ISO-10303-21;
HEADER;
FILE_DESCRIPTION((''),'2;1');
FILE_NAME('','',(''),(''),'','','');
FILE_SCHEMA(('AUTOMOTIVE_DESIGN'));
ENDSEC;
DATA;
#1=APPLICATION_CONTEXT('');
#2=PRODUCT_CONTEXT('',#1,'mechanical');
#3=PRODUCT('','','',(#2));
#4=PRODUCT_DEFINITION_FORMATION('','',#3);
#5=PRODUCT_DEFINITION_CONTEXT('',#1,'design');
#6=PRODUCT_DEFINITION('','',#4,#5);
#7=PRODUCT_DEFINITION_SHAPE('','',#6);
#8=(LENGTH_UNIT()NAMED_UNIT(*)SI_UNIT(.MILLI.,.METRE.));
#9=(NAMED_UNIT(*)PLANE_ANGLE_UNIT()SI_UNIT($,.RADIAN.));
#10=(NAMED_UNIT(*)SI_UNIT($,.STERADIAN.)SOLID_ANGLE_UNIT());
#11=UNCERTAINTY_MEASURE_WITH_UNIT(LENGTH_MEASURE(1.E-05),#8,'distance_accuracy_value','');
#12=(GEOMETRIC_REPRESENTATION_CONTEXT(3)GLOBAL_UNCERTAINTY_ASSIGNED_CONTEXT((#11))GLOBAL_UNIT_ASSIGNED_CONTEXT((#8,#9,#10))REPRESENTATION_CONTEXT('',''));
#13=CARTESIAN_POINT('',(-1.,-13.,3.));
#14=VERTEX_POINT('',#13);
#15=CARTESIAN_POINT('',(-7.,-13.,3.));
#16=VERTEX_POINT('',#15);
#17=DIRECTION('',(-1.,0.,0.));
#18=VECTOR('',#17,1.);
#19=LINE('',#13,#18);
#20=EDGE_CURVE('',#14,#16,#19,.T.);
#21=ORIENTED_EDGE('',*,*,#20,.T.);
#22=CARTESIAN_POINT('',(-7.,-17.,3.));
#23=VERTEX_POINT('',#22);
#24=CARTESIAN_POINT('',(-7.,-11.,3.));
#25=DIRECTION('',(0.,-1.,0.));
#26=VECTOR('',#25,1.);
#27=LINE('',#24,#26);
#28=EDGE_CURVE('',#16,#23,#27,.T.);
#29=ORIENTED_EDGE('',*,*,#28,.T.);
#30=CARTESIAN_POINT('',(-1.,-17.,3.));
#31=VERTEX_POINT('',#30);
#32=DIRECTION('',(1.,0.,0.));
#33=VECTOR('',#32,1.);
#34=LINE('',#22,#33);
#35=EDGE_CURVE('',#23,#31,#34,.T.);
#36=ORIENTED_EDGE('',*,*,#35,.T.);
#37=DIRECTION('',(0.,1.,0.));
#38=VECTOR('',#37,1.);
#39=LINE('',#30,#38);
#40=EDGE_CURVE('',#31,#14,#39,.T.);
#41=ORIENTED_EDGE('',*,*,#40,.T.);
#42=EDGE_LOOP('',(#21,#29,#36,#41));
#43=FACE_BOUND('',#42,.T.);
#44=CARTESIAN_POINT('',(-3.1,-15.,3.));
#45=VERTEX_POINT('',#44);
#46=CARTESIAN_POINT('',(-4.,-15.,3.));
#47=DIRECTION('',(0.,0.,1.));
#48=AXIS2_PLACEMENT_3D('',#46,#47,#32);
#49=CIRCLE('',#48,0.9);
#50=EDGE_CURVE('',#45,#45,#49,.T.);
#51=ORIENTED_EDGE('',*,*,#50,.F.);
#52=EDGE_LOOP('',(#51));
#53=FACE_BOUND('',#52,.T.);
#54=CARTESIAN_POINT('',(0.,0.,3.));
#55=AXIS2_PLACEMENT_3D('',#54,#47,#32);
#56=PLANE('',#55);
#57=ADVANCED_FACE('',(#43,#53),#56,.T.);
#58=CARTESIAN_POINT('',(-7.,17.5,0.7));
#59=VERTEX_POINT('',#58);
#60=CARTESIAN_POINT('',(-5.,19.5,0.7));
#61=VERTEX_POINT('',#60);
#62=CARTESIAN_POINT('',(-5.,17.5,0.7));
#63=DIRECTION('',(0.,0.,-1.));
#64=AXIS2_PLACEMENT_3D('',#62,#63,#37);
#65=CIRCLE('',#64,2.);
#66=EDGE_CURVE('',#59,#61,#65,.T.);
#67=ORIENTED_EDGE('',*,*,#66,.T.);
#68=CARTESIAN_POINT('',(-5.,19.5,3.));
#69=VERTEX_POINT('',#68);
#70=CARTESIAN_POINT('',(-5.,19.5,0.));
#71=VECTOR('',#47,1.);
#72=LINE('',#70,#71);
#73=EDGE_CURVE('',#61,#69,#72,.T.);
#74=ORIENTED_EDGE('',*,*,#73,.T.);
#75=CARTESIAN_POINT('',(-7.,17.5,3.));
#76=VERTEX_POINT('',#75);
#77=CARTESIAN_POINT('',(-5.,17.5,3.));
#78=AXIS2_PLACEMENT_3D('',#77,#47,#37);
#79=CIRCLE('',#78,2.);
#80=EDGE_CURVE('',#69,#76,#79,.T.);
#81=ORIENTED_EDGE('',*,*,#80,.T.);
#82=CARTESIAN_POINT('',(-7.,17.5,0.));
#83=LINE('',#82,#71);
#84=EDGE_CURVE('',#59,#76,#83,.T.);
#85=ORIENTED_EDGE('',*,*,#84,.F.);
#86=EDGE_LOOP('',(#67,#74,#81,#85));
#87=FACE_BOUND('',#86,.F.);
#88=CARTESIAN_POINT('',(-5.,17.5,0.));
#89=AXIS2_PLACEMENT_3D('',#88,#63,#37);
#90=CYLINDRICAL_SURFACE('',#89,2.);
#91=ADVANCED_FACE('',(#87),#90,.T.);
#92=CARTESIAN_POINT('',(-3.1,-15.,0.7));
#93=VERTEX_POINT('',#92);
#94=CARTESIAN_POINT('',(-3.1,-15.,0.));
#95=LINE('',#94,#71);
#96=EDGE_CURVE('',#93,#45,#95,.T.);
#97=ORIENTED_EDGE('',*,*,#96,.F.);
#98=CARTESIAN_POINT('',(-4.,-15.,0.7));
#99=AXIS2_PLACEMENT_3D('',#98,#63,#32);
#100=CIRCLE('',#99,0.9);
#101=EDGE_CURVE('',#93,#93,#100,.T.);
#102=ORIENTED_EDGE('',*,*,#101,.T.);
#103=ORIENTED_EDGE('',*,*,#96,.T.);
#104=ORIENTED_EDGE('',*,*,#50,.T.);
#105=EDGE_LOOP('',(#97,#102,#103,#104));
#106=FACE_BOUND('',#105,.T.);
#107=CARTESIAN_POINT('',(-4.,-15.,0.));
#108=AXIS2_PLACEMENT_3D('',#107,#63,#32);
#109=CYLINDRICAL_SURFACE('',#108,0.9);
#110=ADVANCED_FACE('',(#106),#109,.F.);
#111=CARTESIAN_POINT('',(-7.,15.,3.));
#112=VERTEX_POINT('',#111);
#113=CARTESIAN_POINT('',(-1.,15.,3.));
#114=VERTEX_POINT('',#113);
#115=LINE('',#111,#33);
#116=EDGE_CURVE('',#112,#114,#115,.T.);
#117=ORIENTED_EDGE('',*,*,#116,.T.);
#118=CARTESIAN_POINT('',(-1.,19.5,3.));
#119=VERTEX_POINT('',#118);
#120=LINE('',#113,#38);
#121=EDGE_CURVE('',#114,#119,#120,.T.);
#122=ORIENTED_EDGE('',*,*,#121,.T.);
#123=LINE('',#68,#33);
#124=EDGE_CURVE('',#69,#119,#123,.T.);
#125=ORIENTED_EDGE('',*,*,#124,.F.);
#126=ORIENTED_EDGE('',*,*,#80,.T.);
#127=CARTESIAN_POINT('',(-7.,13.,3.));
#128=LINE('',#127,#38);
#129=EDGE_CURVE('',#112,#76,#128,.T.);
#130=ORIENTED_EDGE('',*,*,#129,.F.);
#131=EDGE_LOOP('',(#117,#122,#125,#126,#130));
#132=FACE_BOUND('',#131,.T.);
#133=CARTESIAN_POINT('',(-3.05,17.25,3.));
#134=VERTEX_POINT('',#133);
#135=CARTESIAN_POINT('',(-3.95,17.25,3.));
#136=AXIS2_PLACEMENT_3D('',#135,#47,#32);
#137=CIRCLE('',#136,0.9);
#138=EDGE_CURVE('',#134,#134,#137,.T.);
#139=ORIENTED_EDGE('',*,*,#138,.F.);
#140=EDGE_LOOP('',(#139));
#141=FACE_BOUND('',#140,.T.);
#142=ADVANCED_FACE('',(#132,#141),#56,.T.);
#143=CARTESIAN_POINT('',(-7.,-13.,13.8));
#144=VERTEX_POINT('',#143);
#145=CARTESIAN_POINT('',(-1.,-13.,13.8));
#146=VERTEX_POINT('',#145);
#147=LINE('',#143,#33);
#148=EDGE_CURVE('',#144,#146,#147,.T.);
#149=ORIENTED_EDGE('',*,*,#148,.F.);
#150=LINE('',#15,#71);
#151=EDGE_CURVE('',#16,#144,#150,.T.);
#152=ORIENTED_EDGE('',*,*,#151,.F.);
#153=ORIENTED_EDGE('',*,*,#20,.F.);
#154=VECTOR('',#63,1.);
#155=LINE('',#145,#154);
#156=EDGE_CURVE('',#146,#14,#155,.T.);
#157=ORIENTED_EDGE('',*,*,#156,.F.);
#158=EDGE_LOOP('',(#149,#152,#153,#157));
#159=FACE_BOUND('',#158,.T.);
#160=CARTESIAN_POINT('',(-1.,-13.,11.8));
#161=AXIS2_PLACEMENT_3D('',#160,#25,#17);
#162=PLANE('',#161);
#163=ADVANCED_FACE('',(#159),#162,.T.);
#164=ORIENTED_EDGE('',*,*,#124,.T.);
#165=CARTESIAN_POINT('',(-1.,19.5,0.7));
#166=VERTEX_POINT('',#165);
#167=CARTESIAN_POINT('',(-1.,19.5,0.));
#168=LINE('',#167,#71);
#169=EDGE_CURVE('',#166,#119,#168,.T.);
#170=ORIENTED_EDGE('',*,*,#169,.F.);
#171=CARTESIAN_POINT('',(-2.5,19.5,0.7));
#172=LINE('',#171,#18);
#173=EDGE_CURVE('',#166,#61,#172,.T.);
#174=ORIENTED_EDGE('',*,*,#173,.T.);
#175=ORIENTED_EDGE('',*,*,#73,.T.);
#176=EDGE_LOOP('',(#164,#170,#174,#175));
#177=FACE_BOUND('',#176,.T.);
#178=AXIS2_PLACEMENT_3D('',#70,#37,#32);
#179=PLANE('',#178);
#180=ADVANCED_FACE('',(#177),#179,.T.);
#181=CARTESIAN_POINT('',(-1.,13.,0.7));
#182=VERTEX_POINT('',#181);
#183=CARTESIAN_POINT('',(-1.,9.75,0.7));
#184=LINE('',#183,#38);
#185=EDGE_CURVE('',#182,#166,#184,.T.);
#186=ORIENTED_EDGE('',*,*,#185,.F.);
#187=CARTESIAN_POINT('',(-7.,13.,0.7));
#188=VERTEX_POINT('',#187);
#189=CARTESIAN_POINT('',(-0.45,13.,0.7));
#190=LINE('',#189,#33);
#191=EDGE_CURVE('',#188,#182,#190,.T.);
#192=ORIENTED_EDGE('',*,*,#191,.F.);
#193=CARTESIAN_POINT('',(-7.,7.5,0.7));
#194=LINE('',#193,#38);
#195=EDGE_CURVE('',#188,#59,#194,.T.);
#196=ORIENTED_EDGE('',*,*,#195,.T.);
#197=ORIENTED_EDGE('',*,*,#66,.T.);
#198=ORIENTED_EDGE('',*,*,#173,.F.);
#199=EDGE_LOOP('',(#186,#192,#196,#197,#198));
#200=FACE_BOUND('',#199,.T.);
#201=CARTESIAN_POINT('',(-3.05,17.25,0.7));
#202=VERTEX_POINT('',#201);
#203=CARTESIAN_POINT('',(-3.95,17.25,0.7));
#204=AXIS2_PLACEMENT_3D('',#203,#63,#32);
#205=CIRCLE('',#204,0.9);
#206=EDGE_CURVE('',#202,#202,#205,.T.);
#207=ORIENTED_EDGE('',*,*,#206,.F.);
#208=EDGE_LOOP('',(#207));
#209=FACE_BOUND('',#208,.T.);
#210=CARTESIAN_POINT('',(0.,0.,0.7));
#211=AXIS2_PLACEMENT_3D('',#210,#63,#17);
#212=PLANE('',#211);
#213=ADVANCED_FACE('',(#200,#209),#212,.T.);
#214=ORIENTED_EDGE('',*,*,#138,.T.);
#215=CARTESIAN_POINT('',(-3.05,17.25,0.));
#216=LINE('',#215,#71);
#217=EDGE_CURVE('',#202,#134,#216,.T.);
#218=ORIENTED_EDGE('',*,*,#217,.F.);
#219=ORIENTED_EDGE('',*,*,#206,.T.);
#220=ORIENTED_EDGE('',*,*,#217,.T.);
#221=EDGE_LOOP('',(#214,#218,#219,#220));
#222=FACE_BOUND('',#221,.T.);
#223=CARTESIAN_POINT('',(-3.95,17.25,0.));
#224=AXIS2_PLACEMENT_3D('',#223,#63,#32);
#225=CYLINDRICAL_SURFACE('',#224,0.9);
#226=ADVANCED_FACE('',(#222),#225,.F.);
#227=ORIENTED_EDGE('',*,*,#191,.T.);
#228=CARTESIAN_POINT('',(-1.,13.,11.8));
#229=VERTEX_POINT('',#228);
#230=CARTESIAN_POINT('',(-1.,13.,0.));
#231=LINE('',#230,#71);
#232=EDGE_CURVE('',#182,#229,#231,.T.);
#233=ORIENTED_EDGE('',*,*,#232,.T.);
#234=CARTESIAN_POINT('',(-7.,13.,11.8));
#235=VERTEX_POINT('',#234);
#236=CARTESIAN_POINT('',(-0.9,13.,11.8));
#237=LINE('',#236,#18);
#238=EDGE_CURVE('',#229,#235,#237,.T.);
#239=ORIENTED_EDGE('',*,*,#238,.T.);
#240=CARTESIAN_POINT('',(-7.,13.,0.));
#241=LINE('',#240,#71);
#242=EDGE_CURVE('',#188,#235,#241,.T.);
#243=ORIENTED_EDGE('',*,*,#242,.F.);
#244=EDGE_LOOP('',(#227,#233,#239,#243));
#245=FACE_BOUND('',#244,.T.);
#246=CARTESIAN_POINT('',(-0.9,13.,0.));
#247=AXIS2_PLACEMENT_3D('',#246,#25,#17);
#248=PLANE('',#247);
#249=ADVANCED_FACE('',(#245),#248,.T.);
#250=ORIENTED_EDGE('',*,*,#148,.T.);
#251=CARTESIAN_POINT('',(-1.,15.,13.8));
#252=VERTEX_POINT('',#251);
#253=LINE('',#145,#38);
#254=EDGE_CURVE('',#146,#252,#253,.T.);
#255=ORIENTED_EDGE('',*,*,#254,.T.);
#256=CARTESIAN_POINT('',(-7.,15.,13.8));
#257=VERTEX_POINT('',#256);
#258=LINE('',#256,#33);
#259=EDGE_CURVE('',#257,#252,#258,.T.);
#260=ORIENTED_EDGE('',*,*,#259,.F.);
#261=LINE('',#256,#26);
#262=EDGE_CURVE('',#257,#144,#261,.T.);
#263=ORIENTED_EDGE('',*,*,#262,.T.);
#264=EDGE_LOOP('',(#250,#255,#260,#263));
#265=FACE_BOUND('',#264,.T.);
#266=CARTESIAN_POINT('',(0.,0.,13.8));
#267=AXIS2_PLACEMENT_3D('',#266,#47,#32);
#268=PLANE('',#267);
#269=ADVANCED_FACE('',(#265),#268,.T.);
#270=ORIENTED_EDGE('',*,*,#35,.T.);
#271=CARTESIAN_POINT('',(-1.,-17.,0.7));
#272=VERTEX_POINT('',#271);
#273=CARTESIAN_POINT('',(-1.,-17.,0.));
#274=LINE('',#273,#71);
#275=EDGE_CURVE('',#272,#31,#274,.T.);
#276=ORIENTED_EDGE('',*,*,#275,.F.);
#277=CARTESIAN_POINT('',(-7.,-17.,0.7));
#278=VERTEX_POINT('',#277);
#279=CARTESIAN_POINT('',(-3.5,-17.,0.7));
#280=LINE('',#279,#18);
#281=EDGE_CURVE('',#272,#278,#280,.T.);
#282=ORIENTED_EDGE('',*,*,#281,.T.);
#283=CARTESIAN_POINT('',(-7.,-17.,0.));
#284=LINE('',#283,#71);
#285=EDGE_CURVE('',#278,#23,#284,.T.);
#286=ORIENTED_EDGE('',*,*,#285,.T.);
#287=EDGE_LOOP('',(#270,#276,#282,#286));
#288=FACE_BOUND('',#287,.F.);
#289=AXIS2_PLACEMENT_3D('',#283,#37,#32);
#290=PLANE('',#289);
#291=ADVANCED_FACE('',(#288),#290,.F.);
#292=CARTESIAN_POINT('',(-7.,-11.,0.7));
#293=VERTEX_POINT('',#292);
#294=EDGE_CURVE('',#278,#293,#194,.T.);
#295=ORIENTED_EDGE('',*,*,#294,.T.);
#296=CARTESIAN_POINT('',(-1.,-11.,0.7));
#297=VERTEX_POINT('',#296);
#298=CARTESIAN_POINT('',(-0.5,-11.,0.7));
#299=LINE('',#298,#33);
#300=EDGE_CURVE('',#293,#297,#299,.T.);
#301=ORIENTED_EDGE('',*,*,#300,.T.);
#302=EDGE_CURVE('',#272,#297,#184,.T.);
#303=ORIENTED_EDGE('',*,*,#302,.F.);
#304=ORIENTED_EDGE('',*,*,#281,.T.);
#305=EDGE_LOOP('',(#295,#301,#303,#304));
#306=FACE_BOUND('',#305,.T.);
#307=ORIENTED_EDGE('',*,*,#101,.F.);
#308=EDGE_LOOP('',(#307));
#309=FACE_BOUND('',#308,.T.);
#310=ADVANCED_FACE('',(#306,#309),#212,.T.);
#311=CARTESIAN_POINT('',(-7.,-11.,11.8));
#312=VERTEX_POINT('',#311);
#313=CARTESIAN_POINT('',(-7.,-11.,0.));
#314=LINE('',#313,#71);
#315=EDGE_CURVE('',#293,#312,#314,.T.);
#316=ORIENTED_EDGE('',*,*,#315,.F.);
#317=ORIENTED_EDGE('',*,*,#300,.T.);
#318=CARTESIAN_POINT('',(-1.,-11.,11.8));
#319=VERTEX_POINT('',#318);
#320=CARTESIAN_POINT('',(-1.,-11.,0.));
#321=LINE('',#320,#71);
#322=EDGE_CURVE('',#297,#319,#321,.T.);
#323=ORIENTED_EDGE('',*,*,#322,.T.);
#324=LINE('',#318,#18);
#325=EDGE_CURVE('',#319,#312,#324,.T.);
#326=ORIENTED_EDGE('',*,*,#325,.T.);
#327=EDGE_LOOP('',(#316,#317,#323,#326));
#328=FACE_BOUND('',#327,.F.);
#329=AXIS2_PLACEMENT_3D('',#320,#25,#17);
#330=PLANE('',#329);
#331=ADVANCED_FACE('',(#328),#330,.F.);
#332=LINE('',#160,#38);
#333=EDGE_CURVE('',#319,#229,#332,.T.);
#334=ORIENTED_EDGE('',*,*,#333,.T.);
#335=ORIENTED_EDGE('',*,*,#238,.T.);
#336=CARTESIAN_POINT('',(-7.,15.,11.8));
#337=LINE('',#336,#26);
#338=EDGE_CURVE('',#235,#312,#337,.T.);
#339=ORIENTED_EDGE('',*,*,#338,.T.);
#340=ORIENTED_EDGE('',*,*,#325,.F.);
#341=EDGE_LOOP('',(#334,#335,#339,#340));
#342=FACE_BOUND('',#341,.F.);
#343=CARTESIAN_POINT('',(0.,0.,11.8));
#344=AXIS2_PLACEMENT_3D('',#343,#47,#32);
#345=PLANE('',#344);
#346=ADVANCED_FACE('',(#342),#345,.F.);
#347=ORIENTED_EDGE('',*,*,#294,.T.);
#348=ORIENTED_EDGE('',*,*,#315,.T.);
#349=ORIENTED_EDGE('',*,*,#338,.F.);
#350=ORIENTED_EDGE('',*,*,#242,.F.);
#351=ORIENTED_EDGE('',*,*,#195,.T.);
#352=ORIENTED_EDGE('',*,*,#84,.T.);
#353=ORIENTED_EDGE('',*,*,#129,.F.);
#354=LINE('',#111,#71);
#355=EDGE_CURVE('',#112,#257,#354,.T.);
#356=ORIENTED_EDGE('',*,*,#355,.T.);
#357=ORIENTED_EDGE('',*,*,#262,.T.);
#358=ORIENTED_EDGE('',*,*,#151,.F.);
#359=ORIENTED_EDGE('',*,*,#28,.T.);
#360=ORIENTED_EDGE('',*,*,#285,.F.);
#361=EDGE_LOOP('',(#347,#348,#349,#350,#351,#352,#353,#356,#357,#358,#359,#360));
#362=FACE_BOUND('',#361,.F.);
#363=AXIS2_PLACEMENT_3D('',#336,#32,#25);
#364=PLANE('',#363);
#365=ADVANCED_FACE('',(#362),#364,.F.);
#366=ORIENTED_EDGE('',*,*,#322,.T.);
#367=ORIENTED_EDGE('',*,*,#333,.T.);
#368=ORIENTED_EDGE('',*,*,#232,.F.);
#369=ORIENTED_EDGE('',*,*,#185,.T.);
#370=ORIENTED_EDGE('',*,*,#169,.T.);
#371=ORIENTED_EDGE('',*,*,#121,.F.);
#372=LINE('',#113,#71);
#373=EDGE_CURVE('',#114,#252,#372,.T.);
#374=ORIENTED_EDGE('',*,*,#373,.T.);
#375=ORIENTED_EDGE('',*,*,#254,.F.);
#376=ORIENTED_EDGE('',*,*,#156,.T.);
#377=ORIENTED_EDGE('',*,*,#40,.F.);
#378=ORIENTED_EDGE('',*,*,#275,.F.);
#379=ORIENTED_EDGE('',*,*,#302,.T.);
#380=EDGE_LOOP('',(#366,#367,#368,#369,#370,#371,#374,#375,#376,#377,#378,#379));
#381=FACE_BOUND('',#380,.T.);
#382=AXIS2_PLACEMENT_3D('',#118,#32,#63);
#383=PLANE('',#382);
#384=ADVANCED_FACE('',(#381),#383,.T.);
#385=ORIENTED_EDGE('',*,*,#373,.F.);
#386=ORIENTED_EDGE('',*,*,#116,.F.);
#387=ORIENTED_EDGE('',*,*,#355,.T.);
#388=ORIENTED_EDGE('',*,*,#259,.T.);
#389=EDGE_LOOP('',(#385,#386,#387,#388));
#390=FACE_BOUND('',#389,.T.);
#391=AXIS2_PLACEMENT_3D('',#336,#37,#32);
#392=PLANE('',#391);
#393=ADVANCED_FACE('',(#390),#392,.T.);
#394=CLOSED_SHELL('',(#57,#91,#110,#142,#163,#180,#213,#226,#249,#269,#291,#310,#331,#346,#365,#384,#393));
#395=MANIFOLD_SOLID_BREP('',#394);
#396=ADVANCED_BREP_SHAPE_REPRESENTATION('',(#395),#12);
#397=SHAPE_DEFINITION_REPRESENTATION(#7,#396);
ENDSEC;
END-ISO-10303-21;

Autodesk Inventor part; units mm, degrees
ref_plane "YZ Plane" through (0, 0, 0) normal (1, 0, 0) x (0, 1, 0)
ref_plane "XZ Plane" through (0, 0, 0) normal (0, 1, 0) x (-1, 0, 0)
ref_plane "XY Plane" through (0, 0, 0) normal (0, 0, 1) x (1, 0, 0)
sketch "Sketch1" plane through (0, 0, 0) normal (0, 0, 1) x (1, 0, 0)
  line L0 (-7, -17) -> (7, -17)
  line L1 (-7, -17) -> (-1, -17)
  line L2 (-1, -17) -> (-1, -11)
  line L3 (-1, -11) -> (-7, -11)
  line L4 (-7, -11) -> (-7, -17)
  line L5 (-5, 19.5) -> (-0.9, 19.5)
  line L6 (-0.9, 19.5) -> (-0.9, 13)
  line L7 (-0.9, 13) -> (-7, 13)
  line L8 (-7, 13) -> (-7, 17.5)
  line L9 (-7, 17.5) -> (-7, -20)
  line L10 (-0.9, 13) -> (-7, 13)
  line L11 (-7, 13) -> (-7, 15)
  line L12 (-7, 15) -> (-0.9, 15)
  line L13 (-0.9, 15) -> (-0.9, 13)
  line L14 (-7, -11) -> (-1, -11)
  line L15 (-1, -11) -> (-1, -13)
  line L16 (-1, -13) -> (-7, -13)
  line L17 (-7, -13) -> (-7, -11)
  circle A0 centre (-3.95, 17.25) radius 0.9
  circle A1 centre (-4, -15) radius 0.9
  arc A2 (-5, 19.5) -> (-7, 17.5) centre (-5, 17.5) ccw
  point P0 (0, 0)
  point P1 (0, 0)
  point P2 (-0.9, 15)
  dimension "d0" = 2
extrude "Extrusion1" add sketch "Sketch1" along normal blind 3 contours L4 L16 L2 L0 | L8 A2 L5 L6 L12
extrude "Extrusion2" add sketch "Sketch1" along normal blind 11.8 contours L8 L12 L6 L7 | L4 L3 L2 L16
sketch "Sketch2" plane through (0, 0, 11.8) normal (0, 0, 1) x (1, 0, 0)
  line L0 (-7, 15) -> (-0.9, 15) projected
  line L1 (-1, -13) -> (-7, -13) projected
  line L2 (-0.9, 15) -> (-7, 15)
  line L3 (-7, 15) -> (-7, -13)
  line L4 (-7, -13) -> (-0.9, -13)
  line L5 (-0.9, -13) -> (-0.9, 15)
  point P0 (0, 0)
extrude "Extrusion3" add sketch "Sketch2" along normal blind 2
sketch "Sketch3" plane through (-0.9, 19.5, 3) normal (1, 0, 0) x (0, 0, -1)
  line L0 (3, -6.5) -> (3, 0) projected
  line L1 (3, 0) -> (0, 0) projected
  line L2 (0, -4.5) -> (0, 0) projected
  line L3 (0, -4.5) -> (-10.8, -4.5) projected
  line L4 (-10.8, -32.5) -> (-10.8, -4.5) projected
  line L5 (-8.8, -32.5) -> (-10.8, -32.5) projected
  line L6 (-8.8, -32.5) -> (-8.8, -6.5) projected
  line L7 (3, -6.5) -> (-8.8, -6.5) projected
  point P0 (3, -19.5)
extrude "Extrusion4" cut sketch "Sketch3" against normal up to surface (0.1 mm away)
sketch "Sketch4" plane through (0, 0, 0) normal (0, 0, -1) x (-1, 0, 0)
  line L0 (12.228, 25.7128) -> (-5.2106, 25.7128)
  line L1 (-5.2106, 25.7128) -> (-5.2106, -24.037)
  line L2 (-5.2106, -24.037) -> (12.228, -24.037)
  line L3 (12.228, -24.037) -> (12.228, 25.7128)
  point P0 (0, 0)
extrude "Extrusion5" cut sketch "Sketch4" against normal blind 0.7
properties part number "holder servo"
